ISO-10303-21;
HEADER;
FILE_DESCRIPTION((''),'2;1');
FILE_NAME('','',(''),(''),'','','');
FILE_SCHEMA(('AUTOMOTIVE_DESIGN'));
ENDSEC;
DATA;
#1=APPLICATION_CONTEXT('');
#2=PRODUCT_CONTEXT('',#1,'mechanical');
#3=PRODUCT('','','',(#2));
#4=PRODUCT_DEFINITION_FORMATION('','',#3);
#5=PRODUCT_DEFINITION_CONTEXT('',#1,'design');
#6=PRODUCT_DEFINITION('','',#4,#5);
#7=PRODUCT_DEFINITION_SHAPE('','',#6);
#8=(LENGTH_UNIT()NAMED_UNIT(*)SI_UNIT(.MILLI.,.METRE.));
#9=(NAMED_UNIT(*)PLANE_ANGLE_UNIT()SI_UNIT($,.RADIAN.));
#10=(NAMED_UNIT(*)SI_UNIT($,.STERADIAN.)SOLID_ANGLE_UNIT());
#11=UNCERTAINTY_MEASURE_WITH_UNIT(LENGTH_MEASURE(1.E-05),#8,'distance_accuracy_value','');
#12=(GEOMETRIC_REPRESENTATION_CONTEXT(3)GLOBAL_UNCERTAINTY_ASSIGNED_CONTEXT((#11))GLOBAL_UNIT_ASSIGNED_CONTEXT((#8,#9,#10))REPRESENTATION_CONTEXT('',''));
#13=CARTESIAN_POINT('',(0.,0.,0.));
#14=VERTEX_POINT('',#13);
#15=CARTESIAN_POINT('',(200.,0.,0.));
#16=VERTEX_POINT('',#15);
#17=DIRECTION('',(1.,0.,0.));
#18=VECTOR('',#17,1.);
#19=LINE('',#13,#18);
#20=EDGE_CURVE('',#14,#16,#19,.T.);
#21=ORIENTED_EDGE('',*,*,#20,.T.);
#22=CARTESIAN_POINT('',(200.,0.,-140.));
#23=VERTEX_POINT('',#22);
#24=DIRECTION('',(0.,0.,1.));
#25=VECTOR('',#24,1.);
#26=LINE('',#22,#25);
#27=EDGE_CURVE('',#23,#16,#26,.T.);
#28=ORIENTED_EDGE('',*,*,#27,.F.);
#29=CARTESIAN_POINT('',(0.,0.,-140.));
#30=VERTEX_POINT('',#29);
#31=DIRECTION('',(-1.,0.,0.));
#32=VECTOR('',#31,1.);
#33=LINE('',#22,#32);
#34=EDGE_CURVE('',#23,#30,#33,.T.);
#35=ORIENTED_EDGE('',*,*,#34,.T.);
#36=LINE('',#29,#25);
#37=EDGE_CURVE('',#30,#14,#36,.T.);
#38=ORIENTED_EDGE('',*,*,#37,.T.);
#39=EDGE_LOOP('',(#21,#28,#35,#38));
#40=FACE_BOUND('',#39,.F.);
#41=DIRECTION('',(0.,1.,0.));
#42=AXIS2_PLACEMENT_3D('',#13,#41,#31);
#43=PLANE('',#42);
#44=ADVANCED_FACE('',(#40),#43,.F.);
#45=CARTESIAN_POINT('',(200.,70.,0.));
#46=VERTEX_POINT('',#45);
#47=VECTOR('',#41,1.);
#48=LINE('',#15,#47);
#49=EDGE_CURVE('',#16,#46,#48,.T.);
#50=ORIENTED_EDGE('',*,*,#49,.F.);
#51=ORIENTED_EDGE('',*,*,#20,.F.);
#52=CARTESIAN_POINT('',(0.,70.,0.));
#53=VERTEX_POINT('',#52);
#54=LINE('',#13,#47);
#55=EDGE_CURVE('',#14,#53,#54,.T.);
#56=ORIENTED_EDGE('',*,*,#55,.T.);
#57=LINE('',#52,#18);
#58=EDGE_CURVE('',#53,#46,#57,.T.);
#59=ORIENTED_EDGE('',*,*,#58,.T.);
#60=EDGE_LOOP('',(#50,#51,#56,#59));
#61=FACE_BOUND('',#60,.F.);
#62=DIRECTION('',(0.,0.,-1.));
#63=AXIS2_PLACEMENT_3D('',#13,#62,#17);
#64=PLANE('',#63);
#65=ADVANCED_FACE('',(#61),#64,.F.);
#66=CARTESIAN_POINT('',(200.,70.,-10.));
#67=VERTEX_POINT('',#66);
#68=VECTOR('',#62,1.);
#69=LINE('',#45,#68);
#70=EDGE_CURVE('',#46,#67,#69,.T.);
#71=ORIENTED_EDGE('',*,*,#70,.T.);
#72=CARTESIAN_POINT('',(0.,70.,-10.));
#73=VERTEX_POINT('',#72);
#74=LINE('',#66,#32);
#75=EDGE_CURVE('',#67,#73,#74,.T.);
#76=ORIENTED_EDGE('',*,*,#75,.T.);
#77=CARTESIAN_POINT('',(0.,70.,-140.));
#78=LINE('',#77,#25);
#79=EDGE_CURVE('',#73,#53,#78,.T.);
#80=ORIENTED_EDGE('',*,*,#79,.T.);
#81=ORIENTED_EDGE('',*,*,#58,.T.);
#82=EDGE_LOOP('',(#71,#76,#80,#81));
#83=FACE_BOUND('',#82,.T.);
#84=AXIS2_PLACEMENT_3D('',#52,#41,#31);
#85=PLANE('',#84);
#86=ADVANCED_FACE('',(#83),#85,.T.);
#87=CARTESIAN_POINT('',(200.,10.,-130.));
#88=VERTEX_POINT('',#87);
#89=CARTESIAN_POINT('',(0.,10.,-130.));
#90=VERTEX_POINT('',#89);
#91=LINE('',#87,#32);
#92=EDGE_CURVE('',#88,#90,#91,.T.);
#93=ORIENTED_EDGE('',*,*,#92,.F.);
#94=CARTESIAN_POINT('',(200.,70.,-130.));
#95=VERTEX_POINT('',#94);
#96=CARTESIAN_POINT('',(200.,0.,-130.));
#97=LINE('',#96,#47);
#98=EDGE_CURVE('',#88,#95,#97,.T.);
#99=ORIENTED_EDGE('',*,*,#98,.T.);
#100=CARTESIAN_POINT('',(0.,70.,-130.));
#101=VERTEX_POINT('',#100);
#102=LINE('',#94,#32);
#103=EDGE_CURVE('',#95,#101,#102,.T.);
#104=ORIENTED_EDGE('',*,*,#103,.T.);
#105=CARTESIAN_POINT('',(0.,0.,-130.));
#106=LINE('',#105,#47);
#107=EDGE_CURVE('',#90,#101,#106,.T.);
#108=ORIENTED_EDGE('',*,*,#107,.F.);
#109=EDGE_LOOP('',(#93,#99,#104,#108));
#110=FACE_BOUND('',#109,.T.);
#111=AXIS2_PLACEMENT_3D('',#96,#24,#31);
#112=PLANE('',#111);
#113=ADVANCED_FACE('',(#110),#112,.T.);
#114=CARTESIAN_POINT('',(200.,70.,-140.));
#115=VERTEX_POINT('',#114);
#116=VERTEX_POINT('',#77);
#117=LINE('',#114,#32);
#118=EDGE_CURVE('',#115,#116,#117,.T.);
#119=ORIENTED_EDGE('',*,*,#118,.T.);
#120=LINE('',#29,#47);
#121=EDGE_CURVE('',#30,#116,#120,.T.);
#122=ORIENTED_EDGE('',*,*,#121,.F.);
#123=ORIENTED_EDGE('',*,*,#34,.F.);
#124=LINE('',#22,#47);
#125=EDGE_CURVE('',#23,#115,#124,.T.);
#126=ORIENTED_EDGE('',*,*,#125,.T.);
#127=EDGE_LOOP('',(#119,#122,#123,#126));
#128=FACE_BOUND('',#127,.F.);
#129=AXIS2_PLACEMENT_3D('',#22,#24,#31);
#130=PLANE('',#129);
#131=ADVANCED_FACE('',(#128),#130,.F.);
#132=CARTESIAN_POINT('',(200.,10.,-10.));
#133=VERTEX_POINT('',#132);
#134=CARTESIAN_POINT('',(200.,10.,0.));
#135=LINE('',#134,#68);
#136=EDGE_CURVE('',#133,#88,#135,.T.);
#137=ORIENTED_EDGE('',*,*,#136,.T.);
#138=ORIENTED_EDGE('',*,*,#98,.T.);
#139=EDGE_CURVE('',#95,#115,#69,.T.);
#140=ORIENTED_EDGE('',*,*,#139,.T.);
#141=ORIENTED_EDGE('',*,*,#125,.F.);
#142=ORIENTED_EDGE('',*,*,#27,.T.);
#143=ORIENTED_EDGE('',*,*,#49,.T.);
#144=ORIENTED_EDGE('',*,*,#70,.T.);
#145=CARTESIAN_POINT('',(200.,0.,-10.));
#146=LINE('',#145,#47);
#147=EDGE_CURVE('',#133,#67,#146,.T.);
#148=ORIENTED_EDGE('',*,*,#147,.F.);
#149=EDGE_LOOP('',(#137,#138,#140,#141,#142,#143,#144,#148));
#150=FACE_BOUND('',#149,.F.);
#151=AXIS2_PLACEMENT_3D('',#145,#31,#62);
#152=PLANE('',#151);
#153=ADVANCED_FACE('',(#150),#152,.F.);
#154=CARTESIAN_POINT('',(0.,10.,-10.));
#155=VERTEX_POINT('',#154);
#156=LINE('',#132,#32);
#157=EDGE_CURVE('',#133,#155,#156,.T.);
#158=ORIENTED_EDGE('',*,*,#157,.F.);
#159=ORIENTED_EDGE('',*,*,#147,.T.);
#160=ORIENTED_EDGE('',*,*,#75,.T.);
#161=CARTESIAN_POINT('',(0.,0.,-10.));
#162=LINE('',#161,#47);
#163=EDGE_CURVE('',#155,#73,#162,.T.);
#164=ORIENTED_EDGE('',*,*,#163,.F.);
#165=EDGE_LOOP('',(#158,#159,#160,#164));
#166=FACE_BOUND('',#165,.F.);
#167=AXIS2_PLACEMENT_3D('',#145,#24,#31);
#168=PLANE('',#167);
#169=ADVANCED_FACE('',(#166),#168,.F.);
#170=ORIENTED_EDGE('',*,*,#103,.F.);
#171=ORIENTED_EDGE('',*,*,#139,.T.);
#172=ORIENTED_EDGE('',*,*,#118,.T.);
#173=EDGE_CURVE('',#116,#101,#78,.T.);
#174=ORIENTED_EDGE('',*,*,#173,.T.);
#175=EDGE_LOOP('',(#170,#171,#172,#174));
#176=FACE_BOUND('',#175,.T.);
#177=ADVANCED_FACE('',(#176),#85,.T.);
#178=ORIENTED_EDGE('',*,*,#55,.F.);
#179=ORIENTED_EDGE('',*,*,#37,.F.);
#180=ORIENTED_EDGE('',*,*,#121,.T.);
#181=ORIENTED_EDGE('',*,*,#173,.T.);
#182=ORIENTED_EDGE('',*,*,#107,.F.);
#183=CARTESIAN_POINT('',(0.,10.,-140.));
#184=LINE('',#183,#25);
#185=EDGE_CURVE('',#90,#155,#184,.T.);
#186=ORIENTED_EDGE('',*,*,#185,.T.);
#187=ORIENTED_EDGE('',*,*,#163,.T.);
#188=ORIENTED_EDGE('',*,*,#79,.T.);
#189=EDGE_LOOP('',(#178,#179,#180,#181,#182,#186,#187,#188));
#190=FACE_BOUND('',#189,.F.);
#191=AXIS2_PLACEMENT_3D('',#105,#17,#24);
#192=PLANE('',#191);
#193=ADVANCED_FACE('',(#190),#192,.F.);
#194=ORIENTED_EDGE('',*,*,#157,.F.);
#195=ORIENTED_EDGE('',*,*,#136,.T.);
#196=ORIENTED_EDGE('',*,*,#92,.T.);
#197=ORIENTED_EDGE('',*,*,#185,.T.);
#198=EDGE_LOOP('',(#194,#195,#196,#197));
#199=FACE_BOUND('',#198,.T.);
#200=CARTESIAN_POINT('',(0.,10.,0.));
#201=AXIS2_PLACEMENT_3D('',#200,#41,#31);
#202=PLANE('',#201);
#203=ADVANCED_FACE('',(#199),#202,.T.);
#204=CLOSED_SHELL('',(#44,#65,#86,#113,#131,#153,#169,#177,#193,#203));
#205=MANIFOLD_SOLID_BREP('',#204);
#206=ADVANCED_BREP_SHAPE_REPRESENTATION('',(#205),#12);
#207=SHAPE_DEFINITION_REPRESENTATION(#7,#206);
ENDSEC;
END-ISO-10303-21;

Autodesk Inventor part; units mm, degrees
ref_plane "YZ Plane" through (0, 0, 0) normal (1, 0, 0) x (0, 1, 0)
ref_plane "XZ Plane" through (0, 0, 0) normal (0, 1, 0) x (-1, 0, 0)
ref_plane "XY Plane" through (0, 0, 0) normal (0, 0, 1) x (1, 0, 0)
sketch "Boceto1" plane through (0, 0, 0) normal (0, 1, 0) x (-1, 0, 0)
  line L0 (0, 0) -> (-200, 0)
  line L1 (-200, 0) -> (-200, -140)
  line L2 (-200, -140) -> (0, -140)
  line L3 (0, -140) -> (0, 0)
  line L4 (0, 0) -> (-200, 0)
  line L5 (-200, 0) -> (-200, -10)
  line L6 (-200, -10) -> (0, -10)
  line L7 (0, -10) -> (0, 0)
  line L8 (0, -140) -> (-200, -140)
  line L9 (-200, -140) -> (-200, -130)
  line L10 (-200, -130) -> (0, -130)
  line L11 (0, -130) -> (0, -140)
  dimension "d0" = 200
  dimension "d1" = 140
  dimension "d2" = 200
  dimension "d3" = 10
  dimension "d4" = 200
  dimension "d5" = 10
extrude "Extrusión1" add sketch "Boceto1" along normal blind 10 contours L3 L10 L1 L6
extrude "Extrusión2" add sketch "Boceto1" along normal blind 70 contours L3 L6 L1 L0 | L3 L2 L1 L10
properties part number "Soporte_rods" material "Acero, fundido"
